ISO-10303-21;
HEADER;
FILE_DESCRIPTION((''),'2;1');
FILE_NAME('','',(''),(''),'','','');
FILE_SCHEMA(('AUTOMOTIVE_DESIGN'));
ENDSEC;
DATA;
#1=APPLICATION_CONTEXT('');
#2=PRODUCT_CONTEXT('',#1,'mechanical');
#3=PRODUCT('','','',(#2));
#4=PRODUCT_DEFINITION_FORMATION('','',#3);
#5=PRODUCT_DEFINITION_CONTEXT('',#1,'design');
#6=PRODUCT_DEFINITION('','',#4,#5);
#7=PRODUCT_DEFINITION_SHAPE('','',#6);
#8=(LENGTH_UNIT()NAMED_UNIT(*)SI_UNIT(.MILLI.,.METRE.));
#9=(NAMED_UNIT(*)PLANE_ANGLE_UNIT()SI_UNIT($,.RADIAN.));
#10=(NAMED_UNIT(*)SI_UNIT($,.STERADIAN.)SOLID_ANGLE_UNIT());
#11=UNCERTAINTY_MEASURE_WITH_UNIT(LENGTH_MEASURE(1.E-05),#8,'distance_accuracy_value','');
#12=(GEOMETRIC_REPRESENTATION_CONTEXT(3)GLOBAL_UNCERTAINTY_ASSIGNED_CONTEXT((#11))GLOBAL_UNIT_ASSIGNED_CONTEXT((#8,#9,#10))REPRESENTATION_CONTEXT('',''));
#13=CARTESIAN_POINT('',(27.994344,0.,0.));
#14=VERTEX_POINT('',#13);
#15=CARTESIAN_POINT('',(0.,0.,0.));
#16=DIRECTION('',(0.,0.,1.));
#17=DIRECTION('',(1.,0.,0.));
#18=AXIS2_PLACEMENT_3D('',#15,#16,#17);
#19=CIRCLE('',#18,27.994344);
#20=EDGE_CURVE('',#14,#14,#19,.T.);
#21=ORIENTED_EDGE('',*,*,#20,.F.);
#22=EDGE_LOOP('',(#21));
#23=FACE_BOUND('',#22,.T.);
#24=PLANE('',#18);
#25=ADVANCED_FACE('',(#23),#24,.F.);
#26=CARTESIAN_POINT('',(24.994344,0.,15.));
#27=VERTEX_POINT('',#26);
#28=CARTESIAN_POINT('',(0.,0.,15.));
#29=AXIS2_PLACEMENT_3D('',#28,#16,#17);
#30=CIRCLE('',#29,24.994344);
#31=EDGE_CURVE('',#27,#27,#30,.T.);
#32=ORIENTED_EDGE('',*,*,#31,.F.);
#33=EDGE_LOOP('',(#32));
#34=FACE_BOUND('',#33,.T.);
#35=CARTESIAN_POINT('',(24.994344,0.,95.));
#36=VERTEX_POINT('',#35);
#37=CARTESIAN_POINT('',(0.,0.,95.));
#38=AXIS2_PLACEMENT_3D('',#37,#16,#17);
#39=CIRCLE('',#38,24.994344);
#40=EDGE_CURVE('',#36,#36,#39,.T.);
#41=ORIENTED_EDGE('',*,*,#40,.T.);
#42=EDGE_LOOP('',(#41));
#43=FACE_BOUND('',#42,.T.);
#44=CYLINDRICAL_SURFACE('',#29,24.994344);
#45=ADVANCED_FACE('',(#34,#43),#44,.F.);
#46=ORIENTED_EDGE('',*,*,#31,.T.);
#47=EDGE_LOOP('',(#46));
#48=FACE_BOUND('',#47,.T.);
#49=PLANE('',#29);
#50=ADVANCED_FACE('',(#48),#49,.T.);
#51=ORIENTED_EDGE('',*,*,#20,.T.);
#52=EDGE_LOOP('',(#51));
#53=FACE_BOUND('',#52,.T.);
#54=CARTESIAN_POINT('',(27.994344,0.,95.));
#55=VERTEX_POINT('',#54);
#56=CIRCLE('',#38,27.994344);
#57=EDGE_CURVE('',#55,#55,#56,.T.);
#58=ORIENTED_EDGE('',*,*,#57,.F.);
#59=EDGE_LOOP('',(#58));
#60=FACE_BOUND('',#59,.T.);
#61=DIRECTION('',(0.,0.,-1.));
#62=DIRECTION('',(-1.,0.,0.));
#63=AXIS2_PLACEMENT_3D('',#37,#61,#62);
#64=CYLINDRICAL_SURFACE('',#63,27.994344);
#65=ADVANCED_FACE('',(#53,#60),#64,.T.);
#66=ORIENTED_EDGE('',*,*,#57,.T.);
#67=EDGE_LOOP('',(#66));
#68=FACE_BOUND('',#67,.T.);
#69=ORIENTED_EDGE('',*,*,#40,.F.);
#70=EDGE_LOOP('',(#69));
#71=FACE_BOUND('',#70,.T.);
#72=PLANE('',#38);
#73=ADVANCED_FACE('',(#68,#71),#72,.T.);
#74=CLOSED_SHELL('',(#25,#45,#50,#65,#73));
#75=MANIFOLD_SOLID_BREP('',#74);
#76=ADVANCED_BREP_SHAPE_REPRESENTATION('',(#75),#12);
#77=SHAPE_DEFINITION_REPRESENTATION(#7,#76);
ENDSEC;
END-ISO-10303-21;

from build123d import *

# Parameters (mm, degrees)
ESQUISSE1_R             = 27.994344018
BOSS_EXTRU_1_DEPTH      = 95
ESQUISSE2_R             = 24.994344018
ENL_V_MAT_EXTRU_1_DEPTH = 80


with BuildPart() as part:
    # Esquisse1 → Boss.-Extru.1 (new body)
    with BuildSketch(Plane.XY):
        Circle(ESQUISSE1_R)
    extrude(amount=BOSS_EXTRU_1_DEPTH)

    # Esquisse2 → Enlèv. mat.-Extru.1 (cut)
    with BuildSketch(Plane.XY.offset(95)):
        Circle(ESQUISSE2_R)
    extrude(amount=-ENL_V_MAT_EXTRU_1_DEPTH, mode=Mode.SUBTRACT)


solid = part.part
